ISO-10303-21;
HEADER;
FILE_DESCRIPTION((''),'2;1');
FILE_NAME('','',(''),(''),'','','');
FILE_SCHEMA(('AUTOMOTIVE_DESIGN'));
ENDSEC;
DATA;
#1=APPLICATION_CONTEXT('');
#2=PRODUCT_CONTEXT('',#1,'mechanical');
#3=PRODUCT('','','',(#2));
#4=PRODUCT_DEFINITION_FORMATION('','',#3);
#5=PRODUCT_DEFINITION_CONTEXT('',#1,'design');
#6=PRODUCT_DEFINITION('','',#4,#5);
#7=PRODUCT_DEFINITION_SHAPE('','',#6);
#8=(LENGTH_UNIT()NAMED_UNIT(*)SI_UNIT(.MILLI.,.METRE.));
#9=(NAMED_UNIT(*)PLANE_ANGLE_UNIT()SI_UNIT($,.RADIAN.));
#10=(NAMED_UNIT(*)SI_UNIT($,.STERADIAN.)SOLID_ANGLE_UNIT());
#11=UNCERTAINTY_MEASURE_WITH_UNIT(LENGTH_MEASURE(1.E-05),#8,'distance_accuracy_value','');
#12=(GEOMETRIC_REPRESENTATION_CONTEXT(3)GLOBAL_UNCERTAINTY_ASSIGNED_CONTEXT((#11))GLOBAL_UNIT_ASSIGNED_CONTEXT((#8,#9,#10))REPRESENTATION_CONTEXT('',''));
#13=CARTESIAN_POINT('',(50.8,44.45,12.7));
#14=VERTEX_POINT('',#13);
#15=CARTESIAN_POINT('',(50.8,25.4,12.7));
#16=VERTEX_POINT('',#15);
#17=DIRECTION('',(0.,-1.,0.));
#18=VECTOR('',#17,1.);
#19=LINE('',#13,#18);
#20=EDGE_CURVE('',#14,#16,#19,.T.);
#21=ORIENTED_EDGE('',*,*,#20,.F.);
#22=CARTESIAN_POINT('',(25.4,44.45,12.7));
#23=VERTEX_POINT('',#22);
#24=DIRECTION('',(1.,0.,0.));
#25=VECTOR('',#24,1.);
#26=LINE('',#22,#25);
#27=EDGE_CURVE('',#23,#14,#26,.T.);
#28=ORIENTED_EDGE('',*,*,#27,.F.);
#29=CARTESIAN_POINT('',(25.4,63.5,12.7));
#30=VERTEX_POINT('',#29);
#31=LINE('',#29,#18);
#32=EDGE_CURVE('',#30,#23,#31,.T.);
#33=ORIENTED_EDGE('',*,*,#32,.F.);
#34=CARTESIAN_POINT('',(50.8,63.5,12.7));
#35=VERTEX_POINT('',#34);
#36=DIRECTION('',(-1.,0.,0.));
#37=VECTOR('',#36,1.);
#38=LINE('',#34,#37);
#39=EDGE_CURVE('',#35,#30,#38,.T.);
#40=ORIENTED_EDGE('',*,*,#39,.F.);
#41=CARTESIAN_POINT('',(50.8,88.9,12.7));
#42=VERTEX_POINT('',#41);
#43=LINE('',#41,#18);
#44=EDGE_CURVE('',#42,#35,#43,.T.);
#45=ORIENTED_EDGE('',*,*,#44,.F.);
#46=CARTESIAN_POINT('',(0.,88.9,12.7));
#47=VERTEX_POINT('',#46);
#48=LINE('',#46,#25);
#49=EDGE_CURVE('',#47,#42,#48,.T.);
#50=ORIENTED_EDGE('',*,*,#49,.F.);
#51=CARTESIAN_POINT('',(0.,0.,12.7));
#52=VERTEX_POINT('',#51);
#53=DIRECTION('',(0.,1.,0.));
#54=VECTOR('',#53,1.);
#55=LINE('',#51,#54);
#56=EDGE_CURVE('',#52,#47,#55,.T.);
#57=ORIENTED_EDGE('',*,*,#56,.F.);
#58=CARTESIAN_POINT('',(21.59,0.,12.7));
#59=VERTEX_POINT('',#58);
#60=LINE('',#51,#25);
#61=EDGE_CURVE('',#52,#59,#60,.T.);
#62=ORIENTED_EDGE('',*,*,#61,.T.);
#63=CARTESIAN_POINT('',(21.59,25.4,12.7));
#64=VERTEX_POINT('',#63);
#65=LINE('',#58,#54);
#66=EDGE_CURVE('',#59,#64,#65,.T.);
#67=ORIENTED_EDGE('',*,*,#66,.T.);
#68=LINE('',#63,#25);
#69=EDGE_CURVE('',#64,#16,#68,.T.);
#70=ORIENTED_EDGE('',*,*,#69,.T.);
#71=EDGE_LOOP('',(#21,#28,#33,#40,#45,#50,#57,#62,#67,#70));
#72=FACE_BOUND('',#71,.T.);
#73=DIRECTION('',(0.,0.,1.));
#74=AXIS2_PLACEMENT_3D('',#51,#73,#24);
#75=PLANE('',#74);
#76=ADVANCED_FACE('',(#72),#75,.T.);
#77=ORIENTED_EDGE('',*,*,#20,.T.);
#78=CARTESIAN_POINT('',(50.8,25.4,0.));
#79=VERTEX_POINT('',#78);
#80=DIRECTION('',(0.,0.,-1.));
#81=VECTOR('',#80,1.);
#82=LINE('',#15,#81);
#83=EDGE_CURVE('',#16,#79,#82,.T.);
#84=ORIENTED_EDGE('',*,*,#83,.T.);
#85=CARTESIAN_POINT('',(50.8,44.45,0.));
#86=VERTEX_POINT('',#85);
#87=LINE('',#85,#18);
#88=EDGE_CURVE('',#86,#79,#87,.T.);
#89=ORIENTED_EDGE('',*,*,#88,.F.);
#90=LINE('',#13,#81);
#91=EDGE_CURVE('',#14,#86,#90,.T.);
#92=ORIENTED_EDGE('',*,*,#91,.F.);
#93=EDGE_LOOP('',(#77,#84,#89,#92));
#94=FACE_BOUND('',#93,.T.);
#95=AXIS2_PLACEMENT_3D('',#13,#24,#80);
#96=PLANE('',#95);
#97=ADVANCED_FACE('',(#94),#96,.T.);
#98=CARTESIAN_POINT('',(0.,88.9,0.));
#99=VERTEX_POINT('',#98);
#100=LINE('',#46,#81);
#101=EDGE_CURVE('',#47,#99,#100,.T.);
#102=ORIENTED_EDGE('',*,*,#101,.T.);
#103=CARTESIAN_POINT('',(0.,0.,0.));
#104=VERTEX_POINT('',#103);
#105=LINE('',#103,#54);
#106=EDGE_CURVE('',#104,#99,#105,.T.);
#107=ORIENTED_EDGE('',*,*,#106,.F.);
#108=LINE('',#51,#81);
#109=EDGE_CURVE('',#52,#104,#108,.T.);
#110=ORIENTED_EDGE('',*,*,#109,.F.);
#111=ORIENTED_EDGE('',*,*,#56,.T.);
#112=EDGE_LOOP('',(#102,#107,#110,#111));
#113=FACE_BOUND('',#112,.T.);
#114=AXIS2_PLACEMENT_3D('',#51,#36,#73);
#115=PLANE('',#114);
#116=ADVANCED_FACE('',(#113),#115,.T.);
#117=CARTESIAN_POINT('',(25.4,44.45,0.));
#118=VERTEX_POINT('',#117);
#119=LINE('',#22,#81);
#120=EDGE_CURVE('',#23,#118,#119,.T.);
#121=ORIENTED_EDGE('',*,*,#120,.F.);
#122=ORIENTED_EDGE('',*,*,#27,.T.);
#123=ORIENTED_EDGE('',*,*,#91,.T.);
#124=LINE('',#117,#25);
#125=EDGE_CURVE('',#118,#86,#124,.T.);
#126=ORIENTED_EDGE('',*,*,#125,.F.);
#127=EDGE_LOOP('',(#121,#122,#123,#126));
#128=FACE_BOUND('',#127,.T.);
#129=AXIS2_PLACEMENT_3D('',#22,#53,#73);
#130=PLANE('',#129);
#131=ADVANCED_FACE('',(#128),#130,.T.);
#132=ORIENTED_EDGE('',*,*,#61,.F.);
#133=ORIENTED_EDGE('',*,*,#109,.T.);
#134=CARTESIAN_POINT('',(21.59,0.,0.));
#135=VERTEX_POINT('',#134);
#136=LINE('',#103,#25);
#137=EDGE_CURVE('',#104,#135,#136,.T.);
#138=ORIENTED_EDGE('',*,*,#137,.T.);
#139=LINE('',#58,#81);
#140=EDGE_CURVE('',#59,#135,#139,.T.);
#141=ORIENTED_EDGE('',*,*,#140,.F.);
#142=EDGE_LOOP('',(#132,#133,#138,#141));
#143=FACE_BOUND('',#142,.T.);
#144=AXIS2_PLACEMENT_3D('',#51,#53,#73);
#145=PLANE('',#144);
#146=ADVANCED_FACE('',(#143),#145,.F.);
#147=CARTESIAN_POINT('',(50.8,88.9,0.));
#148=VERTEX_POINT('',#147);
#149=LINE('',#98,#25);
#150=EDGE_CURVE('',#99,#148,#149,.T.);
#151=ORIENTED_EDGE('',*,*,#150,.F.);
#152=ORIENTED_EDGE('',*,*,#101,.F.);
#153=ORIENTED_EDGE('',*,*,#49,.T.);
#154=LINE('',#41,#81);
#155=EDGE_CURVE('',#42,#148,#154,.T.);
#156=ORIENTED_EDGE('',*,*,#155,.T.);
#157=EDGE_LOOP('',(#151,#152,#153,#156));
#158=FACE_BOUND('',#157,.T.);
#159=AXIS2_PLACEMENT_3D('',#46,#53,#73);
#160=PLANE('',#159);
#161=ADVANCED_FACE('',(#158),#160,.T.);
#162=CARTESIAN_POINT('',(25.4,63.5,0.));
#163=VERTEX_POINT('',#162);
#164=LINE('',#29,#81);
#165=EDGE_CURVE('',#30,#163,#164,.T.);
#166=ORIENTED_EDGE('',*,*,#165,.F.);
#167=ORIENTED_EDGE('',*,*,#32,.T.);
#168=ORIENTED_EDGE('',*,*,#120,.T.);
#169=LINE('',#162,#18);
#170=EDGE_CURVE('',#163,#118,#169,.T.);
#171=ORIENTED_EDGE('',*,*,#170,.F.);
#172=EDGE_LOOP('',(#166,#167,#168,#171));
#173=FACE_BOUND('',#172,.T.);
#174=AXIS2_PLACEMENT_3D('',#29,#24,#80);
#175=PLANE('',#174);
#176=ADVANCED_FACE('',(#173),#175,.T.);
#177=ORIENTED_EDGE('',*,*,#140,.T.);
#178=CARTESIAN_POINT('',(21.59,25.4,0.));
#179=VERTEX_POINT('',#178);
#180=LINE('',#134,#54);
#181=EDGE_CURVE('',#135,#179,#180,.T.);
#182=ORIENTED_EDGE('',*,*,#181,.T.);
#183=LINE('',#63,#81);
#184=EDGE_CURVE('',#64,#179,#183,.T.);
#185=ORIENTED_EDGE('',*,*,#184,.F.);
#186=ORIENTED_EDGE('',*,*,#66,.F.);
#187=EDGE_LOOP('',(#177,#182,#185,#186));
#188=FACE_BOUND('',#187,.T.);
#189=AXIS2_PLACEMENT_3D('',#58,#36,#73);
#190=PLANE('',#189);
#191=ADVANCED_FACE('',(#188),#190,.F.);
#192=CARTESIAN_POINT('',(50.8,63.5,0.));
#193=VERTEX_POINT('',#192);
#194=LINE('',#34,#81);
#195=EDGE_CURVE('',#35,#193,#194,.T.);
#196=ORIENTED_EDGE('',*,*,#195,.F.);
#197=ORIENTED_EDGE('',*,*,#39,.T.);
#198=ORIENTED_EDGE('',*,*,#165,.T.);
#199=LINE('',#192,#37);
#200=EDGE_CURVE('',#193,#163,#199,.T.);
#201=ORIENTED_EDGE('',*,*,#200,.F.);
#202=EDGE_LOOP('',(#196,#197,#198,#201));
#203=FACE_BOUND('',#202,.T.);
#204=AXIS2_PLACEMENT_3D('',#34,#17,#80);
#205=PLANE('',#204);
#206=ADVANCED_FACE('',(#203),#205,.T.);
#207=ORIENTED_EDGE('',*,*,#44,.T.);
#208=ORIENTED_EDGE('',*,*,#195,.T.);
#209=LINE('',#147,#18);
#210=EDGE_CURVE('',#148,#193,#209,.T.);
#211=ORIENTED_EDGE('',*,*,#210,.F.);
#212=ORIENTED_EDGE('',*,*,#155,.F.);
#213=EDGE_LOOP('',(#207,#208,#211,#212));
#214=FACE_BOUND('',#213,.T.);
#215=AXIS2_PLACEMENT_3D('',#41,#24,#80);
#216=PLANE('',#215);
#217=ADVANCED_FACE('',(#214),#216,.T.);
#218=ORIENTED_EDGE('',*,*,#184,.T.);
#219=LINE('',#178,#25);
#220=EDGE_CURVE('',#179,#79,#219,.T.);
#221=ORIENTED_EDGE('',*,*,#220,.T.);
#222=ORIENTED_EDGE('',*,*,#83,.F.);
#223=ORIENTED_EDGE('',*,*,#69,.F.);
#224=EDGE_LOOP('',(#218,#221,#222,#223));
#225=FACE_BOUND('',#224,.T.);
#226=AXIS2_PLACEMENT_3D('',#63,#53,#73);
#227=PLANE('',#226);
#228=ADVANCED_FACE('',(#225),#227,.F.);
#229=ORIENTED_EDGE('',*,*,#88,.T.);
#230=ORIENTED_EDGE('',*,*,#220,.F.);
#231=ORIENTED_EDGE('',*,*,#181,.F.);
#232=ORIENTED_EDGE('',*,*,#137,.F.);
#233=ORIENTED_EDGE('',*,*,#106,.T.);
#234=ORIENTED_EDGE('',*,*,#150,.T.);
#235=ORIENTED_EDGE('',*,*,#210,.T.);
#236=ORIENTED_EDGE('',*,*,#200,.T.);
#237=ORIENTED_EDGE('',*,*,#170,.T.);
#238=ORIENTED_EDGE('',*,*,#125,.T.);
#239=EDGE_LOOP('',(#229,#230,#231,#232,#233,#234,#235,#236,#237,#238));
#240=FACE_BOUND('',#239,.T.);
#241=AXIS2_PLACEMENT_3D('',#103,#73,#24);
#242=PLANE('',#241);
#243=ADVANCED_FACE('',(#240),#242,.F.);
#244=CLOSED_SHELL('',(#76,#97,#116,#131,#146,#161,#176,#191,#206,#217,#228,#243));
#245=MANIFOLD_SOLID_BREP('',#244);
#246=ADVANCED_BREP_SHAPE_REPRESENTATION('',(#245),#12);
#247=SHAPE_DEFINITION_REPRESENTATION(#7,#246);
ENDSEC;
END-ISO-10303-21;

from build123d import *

# Parameters (mm, degrees)
BOSS_EXTRUDE1_DEPTH = 12.7


with BuildPart() as part:
    # Sketch1 → Boss-Extrude1 (new body)
    with BuildSketch(Plane.XY):
        Polygon((0, 0), (0, 88.9), (50.8, 88.9), (50.8, 63.5), (25.4, 63.5), (25.4, 44.45), (50.8, 44.45), (50.8, 25.4), (21.59, 25.4), (21.59, 0), align=None)
    extrude(amount=BOSS_EXTRUDE1_DEPTH)


solid = part.part
